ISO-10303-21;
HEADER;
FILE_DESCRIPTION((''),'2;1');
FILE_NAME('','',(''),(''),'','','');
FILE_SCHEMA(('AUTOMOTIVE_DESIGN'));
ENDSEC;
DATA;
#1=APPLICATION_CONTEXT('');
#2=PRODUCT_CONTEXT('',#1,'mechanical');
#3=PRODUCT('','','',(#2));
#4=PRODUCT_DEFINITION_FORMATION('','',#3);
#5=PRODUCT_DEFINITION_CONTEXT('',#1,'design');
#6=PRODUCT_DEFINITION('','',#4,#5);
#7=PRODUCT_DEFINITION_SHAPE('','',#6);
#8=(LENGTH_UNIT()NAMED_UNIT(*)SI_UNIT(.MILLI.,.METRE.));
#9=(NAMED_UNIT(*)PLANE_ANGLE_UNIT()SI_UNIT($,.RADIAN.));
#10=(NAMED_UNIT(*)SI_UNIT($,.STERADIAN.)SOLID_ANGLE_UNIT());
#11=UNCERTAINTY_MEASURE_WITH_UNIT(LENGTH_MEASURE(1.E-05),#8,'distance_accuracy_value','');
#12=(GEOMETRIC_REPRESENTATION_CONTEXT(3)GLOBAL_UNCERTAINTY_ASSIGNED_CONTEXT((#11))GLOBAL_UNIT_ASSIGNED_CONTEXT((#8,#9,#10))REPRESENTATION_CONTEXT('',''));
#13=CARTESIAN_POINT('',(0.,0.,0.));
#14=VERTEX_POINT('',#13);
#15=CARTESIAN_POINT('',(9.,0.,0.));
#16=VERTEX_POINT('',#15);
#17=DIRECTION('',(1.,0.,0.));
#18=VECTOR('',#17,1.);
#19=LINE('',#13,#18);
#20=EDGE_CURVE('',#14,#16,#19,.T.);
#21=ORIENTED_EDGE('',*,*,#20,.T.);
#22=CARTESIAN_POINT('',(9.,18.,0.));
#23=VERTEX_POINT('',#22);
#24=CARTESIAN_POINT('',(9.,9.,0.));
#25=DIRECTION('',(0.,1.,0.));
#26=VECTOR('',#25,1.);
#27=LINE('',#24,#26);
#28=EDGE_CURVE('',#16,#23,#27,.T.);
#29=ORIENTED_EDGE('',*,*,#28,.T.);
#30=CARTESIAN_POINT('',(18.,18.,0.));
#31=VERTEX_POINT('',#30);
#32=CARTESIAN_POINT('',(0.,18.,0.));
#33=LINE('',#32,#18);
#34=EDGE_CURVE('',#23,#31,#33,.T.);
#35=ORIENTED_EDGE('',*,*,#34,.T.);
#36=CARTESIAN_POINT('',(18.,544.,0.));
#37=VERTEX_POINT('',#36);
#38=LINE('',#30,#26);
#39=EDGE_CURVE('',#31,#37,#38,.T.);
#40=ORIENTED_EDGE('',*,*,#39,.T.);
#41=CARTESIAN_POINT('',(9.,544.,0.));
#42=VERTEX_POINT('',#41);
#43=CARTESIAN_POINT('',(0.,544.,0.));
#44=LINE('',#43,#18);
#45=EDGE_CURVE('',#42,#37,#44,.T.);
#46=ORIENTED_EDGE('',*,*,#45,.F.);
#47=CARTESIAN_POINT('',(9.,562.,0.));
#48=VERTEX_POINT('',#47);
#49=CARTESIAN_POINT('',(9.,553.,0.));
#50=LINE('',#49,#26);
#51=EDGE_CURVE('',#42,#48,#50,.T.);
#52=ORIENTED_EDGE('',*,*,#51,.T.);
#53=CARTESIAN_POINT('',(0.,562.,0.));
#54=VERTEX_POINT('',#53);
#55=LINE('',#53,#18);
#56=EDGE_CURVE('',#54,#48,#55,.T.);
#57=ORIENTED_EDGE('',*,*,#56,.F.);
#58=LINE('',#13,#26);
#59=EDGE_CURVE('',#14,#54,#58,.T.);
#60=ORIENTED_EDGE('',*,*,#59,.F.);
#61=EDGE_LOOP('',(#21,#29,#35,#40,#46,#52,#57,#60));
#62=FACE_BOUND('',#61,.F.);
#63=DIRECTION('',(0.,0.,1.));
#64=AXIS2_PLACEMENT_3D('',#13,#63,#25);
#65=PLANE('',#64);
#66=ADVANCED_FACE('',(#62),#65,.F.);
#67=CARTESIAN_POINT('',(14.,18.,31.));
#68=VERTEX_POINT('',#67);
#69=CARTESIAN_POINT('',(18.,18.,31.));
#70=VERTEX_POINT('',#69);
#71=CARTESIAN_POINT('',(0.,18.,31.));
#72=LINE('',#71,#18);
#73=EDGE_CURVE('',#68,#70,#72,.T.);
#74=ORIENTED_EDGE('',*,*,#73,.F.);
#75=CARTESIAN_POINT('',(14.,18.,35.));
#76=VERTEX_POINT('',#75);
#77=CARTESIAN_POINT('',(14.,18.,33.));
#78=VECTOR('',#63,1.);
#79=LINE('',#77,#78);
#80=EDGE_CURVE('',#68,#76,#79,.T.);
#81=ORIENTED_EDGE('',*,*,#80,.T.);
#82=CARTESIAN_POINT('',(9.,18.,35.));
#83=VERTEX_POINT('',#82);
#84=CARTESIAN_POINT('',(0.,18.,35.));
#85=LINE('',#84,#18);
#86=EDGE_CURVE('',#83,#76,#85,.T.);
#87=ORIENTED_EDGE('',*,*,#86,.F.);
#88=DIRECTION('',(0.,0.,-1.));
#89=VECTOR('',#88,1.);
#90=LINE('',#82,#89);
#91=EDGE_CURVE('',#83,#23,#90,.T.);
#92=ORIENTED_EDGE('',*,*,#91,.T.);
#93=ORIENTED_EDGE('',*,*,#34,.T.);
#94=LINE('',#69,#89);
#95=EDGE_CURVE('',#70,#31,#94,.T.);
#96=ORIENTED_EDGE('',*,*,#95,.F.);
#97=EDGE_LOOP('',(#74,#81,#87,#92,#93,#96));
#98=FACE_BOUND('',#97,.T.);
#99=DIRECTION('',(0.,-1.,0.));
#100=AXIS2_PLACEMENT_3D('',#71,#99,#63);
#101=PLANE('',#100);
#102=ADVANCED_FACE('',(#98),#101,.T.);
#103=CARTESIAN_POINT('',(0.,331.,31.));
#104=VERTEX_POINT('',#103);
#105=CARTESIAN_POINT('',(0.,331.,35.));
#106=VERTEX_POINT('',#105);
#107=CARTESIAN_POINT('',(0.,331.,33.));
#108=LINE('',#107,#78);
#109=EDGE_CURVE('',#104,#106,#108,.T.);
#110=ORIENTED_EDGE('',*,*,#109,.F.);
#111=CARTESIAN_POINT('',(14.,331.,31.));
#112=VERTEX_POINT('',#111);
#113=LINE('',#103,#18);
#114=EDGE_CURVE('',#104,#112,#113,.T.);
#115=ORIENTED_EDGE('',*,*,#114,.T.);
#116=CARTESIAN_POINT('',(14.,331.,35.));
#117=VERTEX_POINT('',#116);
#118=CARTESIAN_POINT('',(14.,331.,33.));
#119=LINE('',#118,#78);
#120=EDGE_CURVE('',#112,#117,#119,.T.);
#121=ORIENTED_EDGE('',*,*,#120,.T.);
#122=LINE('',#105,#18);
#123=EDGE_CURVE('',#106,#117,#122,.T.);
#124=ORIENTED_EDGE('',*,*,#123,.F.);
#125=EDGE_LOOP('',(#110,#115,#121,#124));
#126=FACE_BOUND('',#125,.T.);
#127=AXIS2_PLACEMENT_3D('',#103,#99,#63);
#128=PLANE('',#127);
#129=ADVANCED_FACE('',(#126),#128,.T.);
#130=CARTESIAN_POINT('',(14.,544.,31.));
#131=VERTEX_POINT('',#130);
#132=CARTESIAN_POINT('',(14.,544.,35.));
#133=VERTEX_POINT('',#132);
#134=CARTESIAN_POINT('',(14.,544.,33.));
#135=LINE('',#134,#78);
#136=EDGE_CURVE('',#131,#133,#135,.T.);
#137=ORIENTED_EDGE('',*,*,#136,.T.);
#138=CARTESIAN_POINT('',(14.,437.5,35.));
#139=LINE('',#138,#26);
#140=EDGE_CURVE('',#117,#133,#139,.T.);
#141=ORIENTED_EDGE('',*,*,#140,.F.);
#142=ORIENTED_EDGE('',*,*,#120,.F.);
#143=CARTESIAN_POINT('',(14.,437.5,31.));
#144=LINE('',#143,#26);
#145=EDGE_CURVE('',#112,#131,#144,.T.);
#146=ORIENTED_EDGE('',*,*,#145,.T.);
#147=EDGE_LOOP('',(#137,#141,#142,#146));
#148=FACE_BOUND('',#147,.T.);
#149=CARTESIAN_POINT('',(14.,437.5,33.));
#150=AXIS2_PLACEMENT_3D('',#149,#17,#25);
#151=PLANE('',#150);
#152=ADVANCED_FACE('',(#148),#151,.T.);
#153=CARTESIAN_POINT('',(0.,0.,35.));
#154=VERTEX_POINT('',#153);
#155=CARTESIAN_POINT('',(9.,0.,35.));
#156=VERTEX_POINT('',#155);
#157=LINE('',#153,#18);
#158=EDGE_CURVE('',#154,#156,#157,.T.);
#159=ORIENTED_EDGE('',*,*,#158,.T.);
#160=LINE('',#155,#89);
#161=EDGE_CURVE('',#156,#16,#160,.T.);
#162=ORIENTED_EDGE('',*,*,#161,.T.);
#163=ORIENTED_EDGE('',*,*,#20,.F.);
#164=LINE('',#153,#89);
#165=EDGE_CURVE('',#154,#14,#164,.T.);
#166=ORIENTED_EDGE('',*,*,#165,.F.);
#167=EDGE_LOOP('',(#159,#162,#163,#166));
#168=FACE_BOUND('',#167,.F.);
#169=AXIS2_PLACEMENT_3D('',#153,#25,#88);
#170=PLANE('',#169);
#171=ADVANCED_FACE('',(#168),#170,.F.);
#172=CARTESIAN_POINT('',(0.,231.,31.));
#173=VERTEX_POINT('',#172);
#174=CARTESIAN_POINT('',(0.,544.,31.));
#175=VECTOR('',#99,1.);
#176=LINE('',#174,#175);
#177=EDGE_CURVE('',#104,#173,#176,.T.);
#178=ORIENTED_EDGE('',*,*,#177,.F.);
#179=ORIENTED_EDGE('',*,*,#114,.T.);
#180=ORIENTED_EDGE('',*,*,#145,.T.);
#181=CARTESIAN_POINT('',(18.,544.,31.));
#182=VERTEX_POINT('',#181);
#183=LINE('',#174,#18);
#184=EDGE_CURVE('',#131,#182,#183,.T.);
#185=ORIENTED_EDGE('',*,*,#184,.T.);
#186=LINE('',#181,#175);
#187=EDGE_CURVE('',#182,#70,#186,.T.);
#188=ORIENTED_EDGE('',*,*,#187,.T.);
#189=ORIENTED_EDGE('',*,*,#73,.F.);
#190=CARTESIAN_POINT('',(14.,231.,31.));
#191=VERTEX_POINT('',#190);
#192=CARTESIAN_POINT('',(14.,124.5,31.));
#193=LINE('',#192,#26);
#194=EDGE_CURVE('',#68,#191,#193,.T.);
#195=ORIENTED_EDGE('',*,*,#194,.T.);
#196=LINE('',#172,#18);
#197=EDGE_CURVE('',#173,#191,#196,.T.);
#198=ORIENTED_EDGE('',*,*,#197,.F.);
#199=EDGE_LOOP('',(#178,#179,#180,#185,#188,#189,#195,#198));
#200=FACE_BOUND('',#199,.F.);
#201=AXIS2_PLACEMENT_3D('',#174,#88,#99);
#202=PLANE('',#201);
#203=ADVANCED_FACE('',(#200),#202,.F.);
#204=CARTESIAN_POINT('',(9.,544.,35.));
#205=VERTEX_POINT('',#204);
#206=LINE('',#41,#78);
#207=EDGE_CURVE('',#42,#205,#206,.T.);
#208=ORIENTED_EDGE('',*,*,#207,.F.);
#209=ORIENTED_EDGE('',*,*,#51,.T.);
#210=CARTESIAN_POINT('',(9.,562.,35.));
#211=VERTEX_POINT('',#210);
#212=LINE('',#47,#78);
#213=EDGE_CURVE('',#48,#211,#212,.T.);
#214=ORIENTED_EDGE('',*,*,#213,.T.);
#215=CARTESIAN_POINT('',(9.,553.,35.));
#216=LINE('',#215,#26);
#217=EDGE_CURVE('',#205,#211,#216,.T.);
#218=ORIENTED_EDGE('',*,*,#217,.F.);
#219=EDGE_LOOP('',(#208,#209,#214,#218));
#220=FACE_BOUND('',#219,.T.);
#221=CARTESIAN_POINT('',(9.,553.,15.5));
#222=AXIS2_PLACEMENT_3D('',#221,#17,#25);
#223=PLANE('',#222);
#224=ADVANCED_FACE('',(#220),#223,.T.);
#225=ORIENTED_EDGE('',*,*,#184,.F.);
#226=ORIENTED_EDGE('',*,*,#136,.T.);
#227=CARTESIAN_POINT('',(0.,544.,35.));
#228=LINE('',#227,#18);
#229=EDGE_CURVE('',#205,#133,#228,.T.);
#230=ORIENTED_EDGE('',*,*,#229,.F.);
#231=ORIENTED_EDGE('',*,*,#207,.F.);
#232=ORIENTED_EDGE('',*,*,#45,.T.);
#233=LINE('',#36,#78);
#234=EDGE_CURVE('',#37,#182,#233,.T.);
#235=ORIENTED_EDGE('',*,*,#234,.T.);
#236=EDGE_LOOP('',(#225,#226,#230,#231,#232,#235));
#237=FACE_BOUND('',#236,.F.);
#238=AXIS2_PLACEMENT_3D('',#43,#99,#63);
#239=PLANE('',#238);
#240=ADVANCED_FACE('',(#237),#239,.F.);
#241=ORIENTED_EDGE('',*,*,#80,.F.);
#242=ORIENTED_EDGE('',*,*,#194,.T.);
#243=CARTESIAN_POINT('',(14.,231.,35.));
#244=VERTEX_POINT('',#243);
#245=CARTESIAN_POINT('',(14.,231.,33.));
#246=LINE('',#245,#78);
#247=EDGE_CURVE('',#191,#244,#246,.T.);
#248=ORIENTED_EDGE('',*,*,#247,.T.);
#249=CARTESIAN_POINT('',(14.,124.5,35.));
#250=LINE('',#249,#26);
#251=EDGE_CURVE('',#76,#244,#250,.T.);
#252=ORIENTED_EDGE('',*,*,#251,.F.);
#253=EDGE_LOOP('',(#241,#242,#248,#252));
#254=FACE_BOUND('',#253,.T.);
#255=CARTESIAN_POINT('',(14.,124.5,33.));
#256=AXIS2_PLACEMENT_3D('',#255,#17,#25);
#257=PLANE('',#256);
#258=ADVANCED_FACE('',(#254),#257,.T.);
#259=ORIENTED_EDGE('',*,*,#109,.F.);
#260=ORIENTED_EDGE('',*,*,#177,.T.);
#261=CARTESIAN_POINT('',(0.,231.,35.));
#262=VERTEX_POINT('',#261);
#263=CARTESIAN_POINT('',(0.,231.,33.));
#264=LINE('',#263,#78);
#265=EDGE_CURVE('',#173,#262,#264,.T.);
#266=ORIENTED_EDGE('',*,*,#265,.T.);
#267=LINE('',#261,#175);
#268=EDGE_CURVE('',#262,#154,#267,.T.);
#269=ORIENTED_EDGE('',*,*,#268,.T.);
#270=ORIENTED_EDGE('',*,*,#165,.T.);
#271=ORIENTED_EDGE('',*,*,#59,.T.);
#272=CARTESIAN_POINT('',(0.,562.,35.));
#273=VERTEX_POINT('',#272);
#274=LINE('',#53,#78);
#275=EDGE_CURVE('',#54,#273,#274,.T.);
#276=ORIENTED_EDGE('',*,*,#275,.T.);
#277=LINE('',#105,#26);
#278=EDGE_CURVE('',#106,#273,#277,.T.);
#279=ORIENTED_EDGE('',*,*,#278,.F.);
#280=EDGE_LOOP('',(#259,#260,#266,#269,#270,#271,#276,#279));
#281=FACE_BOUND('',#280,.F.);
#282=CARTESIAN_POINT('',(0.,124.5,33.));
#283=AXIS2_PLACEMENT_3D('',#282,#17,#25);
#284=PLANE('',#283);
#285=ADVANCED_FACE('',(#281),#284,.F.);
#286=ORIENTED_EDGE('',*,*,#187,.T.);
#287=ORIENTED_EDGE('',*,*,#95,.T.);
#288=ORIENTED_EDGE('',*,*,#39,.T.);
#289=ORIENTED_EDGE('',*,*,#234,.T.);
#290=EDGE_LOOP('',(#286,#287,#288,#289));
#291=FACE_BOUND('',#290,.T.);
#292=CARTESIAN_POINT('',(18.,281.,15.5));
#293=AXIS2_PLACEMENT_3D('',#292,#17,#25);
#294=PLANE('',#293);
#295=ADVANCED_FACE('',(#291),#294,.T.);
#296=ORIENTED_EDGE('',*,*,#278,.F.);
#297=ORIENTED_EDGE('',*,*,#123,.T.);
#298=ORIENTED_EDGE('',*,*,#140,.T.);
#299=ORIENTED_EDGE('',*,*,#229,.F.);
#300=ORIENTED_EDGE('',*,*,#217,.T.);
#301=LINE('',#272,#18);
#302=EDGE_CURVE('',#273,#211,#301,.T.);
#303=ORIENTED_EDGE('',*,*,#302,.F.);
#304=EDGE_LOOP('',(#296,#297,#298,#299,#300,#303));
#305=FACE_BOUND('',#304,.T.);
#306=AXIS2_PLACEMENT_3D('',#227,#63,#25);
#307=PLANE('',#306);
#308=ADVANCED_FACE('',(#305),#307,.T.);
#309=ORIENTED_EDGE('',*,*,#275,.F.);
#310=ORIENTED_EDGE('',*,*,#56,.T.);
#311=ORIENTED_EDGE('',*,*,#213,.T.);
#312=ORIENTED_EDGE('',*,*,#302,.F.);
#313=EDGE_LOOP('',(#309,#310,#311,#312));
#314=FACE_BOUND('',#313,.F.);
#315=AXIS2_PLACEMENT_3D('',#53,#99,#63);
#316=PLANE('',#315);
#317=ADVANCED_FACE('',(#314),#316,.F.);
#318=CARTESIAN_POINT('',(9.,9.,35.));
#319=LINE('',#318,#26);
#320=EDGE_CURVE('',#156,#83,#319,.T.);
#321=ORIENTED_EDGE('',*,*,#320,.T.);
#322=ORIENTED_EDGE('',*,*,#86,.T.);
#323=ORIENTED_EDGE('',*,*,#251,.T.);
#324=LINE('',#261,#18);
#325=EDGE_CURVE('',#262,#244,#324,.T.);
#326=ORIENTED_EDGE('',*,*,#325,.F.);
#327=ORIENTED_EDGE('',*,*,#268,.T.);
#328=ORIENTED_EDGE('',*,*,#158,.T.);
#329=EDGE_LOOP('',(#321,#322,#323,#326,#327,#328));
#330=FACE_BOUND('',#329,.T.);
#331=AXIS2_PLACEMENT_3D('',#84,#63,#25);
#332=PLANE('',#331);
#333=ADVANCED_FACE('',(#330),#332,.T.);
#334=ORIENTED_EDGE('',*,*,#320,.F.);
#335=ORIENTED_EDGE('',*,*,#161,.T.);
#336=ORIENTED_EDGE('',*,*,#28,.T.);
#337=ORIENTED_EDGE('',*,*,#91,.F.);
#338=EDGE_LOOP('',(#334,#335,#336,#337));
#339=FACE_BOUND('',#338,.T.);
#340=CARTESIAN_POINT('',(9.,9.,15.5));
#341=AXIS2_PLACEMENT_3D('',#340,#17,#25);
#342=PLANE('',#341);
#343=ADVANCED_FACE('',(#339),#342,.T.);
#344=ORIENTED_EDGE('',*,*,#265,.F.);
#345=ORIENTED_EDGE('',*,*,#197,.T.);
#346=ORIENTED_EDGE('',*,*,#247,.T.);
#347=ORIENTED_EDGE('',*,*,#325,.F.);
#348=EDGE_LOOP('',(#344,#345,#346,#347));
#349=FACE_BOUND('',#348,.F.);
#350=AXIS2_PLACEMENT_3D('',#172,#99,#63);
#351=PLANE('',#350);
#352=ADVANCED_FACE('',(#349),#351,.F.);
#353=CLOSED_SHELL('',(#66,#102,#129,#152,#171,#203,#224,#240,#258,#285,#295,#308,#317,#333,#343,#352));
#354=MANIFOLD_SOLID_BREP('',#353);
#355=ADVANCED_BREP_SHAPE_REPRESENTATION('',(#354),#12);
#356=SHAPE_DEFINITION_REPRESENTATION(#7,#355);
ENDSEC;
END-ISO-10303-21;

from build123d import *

# Parameters (mm, degrees)
F1_DEPTH = 18
F0_W     = 18
F0_H     = 31
F0_H_2   = 4
F2_DEPTH = 9
F0_W_2   = 213
F3_DEPTH = 14


with BuildPart() as f1:
    # F0 (on Right) → F1 (new body)
    with BuildSketch(Plane.YZ):
        Polygon((18, 31), (18, 0), (544, 0), (544, 31), (331, 31), (281, 31), (231, 31), align=None)
    extrude(amount=F1_DEPTH)

    # F0 (on Right) → F2 (join)
    with BuildSketch(Plane.YZ):
        with Locations((9, 15.5)):
            Rectangle(F0_W, F0_H)
        with Locations((553, 15.5)):
            Rectangle(F0_W, F0_H)
        with Locations((9, 33)):
            Rectangle(F0_W, F0_H_2)
        with Locations((553, 33)):
            Rectangle(F0_W, F0_H_2)
    extrude(amount=F2_DEPTH)

    # F0 (on Right) → F3 (join)
    with BuildSketch(Plane.YZ):
        with Locations((124.5, 33)):
            Rectangle(F0_W_2, F0_H_2)
        with Locations((437.5, 33)):
            Rectangle(F0_W_2, F0_H_2)
    extrude(amount=F3_DEPTH)


solid = f1.part
